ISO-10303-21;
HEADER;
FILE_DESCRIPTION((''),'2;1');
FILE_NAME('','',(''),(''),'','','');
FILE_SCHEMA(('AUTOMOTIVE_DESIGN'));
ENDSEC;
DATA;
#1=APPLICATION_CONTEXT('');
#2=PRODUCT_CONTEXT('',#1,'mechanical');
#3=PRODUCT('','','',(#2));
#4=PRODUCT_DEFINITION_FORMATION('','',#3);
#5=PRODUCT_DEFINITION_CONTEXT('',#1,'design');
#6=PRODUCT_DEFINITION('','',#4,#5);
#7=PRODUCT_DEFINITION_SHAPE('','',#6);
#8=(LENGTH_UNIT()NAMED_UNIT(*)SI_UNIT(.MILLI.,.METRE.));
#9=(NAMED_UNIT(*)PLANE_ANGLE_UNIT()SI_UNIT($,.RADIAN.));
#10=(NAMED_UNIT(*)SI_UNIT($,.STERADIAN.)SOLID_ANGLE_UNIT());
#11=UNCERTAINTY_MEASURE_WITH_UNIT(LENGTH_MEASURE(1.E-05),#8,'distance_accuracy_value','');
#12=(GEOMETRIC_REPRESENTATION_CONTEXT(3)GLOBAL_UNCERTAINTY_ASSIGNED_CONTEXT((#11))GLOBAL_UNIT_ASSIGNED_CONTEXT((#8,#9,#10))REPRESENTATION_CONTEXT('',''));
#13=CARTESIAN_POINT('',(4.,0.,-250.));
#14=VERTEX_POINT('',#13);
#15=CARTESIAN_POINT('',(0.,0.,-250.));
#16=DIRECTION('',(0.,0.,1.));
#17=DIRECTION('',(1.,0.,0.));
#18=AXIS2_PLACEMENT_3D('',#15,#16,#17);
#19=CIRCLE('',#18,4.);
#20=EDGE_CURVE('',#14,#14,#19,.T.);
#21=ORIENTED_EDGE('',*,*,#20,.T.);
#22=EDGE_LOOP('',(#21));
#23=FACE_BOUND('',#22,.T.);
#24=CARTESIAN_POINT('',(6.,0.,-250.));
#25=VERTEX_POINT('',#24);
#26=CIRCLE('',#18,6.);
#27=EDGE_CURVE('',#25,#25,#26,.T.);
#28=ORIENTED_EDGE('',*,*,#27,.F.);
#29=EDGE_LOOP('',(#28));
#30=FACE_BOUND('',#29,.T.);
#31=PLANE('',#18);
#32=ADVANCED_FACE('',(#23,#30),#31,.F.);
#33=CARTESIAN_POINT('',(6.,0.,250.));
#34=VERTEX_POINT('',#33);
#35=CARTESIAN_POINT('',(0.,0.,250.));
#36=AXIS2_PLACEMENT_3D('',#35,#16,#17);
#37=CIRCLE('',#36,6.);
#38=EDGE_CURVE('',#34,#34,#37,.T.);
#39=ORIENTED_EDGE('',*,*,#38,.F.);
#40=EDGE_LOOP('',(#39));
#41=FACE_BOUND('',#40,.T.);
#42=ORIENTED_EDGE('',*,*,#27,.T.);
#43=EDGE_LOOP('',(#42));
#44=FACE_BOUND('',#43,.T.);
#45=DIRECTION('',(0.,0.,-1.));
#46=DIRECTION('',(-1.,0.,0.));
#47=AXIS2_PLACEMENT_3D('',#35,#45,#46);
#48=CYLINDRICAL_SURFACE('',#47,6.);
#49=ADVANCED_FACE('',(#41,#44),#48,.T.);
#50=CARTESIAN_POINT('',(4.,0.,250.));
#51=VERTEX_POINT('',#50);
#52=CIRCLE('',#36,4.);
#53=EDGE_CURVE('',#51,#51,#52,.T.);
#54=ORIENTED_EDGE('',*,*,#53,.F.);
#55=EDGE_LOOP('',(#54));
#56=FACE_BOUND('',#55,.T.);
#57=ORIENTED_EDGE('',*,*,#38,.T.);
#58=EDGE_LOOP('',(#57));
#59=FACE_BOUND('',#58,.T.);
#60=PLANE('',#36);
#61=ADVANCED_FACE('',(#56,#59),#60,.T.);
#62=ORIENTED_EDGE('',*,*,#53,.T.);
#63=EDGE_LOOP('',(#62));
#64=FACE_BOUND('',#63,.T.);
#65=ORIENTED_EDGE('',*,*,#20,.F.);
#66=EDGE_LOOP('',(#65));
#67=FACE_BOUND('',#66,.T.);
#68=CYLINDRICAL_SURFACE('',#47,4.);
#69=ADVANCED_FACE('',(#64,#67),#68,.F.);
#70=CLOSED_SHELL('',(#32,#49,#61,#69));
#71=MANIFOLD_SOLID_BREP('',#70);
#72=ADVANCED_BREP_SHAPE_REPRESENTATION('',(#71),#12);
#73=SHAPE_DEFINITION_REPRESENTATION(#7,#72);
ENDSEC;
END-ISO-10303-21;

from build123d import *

# Parameters (mm, degrees)
SKETCH1_R           = 6
SKETCH1_R_2         = 4
EXTRUDE_THIN1_DEPTH = 250


with BuildPart() as part:
    # Sketch1 → Extrude-Thin1 (new, symmetric)
    with BuildSketch(Plane.XY):
        Circle(SKETCH1_R)
        Circle(SKETCH1_R_2, mode=Mode.SUBTRACT)
    extrude(amount=EXTRUDE_THIN1_DEPTH, both=True)


solid = part.part
